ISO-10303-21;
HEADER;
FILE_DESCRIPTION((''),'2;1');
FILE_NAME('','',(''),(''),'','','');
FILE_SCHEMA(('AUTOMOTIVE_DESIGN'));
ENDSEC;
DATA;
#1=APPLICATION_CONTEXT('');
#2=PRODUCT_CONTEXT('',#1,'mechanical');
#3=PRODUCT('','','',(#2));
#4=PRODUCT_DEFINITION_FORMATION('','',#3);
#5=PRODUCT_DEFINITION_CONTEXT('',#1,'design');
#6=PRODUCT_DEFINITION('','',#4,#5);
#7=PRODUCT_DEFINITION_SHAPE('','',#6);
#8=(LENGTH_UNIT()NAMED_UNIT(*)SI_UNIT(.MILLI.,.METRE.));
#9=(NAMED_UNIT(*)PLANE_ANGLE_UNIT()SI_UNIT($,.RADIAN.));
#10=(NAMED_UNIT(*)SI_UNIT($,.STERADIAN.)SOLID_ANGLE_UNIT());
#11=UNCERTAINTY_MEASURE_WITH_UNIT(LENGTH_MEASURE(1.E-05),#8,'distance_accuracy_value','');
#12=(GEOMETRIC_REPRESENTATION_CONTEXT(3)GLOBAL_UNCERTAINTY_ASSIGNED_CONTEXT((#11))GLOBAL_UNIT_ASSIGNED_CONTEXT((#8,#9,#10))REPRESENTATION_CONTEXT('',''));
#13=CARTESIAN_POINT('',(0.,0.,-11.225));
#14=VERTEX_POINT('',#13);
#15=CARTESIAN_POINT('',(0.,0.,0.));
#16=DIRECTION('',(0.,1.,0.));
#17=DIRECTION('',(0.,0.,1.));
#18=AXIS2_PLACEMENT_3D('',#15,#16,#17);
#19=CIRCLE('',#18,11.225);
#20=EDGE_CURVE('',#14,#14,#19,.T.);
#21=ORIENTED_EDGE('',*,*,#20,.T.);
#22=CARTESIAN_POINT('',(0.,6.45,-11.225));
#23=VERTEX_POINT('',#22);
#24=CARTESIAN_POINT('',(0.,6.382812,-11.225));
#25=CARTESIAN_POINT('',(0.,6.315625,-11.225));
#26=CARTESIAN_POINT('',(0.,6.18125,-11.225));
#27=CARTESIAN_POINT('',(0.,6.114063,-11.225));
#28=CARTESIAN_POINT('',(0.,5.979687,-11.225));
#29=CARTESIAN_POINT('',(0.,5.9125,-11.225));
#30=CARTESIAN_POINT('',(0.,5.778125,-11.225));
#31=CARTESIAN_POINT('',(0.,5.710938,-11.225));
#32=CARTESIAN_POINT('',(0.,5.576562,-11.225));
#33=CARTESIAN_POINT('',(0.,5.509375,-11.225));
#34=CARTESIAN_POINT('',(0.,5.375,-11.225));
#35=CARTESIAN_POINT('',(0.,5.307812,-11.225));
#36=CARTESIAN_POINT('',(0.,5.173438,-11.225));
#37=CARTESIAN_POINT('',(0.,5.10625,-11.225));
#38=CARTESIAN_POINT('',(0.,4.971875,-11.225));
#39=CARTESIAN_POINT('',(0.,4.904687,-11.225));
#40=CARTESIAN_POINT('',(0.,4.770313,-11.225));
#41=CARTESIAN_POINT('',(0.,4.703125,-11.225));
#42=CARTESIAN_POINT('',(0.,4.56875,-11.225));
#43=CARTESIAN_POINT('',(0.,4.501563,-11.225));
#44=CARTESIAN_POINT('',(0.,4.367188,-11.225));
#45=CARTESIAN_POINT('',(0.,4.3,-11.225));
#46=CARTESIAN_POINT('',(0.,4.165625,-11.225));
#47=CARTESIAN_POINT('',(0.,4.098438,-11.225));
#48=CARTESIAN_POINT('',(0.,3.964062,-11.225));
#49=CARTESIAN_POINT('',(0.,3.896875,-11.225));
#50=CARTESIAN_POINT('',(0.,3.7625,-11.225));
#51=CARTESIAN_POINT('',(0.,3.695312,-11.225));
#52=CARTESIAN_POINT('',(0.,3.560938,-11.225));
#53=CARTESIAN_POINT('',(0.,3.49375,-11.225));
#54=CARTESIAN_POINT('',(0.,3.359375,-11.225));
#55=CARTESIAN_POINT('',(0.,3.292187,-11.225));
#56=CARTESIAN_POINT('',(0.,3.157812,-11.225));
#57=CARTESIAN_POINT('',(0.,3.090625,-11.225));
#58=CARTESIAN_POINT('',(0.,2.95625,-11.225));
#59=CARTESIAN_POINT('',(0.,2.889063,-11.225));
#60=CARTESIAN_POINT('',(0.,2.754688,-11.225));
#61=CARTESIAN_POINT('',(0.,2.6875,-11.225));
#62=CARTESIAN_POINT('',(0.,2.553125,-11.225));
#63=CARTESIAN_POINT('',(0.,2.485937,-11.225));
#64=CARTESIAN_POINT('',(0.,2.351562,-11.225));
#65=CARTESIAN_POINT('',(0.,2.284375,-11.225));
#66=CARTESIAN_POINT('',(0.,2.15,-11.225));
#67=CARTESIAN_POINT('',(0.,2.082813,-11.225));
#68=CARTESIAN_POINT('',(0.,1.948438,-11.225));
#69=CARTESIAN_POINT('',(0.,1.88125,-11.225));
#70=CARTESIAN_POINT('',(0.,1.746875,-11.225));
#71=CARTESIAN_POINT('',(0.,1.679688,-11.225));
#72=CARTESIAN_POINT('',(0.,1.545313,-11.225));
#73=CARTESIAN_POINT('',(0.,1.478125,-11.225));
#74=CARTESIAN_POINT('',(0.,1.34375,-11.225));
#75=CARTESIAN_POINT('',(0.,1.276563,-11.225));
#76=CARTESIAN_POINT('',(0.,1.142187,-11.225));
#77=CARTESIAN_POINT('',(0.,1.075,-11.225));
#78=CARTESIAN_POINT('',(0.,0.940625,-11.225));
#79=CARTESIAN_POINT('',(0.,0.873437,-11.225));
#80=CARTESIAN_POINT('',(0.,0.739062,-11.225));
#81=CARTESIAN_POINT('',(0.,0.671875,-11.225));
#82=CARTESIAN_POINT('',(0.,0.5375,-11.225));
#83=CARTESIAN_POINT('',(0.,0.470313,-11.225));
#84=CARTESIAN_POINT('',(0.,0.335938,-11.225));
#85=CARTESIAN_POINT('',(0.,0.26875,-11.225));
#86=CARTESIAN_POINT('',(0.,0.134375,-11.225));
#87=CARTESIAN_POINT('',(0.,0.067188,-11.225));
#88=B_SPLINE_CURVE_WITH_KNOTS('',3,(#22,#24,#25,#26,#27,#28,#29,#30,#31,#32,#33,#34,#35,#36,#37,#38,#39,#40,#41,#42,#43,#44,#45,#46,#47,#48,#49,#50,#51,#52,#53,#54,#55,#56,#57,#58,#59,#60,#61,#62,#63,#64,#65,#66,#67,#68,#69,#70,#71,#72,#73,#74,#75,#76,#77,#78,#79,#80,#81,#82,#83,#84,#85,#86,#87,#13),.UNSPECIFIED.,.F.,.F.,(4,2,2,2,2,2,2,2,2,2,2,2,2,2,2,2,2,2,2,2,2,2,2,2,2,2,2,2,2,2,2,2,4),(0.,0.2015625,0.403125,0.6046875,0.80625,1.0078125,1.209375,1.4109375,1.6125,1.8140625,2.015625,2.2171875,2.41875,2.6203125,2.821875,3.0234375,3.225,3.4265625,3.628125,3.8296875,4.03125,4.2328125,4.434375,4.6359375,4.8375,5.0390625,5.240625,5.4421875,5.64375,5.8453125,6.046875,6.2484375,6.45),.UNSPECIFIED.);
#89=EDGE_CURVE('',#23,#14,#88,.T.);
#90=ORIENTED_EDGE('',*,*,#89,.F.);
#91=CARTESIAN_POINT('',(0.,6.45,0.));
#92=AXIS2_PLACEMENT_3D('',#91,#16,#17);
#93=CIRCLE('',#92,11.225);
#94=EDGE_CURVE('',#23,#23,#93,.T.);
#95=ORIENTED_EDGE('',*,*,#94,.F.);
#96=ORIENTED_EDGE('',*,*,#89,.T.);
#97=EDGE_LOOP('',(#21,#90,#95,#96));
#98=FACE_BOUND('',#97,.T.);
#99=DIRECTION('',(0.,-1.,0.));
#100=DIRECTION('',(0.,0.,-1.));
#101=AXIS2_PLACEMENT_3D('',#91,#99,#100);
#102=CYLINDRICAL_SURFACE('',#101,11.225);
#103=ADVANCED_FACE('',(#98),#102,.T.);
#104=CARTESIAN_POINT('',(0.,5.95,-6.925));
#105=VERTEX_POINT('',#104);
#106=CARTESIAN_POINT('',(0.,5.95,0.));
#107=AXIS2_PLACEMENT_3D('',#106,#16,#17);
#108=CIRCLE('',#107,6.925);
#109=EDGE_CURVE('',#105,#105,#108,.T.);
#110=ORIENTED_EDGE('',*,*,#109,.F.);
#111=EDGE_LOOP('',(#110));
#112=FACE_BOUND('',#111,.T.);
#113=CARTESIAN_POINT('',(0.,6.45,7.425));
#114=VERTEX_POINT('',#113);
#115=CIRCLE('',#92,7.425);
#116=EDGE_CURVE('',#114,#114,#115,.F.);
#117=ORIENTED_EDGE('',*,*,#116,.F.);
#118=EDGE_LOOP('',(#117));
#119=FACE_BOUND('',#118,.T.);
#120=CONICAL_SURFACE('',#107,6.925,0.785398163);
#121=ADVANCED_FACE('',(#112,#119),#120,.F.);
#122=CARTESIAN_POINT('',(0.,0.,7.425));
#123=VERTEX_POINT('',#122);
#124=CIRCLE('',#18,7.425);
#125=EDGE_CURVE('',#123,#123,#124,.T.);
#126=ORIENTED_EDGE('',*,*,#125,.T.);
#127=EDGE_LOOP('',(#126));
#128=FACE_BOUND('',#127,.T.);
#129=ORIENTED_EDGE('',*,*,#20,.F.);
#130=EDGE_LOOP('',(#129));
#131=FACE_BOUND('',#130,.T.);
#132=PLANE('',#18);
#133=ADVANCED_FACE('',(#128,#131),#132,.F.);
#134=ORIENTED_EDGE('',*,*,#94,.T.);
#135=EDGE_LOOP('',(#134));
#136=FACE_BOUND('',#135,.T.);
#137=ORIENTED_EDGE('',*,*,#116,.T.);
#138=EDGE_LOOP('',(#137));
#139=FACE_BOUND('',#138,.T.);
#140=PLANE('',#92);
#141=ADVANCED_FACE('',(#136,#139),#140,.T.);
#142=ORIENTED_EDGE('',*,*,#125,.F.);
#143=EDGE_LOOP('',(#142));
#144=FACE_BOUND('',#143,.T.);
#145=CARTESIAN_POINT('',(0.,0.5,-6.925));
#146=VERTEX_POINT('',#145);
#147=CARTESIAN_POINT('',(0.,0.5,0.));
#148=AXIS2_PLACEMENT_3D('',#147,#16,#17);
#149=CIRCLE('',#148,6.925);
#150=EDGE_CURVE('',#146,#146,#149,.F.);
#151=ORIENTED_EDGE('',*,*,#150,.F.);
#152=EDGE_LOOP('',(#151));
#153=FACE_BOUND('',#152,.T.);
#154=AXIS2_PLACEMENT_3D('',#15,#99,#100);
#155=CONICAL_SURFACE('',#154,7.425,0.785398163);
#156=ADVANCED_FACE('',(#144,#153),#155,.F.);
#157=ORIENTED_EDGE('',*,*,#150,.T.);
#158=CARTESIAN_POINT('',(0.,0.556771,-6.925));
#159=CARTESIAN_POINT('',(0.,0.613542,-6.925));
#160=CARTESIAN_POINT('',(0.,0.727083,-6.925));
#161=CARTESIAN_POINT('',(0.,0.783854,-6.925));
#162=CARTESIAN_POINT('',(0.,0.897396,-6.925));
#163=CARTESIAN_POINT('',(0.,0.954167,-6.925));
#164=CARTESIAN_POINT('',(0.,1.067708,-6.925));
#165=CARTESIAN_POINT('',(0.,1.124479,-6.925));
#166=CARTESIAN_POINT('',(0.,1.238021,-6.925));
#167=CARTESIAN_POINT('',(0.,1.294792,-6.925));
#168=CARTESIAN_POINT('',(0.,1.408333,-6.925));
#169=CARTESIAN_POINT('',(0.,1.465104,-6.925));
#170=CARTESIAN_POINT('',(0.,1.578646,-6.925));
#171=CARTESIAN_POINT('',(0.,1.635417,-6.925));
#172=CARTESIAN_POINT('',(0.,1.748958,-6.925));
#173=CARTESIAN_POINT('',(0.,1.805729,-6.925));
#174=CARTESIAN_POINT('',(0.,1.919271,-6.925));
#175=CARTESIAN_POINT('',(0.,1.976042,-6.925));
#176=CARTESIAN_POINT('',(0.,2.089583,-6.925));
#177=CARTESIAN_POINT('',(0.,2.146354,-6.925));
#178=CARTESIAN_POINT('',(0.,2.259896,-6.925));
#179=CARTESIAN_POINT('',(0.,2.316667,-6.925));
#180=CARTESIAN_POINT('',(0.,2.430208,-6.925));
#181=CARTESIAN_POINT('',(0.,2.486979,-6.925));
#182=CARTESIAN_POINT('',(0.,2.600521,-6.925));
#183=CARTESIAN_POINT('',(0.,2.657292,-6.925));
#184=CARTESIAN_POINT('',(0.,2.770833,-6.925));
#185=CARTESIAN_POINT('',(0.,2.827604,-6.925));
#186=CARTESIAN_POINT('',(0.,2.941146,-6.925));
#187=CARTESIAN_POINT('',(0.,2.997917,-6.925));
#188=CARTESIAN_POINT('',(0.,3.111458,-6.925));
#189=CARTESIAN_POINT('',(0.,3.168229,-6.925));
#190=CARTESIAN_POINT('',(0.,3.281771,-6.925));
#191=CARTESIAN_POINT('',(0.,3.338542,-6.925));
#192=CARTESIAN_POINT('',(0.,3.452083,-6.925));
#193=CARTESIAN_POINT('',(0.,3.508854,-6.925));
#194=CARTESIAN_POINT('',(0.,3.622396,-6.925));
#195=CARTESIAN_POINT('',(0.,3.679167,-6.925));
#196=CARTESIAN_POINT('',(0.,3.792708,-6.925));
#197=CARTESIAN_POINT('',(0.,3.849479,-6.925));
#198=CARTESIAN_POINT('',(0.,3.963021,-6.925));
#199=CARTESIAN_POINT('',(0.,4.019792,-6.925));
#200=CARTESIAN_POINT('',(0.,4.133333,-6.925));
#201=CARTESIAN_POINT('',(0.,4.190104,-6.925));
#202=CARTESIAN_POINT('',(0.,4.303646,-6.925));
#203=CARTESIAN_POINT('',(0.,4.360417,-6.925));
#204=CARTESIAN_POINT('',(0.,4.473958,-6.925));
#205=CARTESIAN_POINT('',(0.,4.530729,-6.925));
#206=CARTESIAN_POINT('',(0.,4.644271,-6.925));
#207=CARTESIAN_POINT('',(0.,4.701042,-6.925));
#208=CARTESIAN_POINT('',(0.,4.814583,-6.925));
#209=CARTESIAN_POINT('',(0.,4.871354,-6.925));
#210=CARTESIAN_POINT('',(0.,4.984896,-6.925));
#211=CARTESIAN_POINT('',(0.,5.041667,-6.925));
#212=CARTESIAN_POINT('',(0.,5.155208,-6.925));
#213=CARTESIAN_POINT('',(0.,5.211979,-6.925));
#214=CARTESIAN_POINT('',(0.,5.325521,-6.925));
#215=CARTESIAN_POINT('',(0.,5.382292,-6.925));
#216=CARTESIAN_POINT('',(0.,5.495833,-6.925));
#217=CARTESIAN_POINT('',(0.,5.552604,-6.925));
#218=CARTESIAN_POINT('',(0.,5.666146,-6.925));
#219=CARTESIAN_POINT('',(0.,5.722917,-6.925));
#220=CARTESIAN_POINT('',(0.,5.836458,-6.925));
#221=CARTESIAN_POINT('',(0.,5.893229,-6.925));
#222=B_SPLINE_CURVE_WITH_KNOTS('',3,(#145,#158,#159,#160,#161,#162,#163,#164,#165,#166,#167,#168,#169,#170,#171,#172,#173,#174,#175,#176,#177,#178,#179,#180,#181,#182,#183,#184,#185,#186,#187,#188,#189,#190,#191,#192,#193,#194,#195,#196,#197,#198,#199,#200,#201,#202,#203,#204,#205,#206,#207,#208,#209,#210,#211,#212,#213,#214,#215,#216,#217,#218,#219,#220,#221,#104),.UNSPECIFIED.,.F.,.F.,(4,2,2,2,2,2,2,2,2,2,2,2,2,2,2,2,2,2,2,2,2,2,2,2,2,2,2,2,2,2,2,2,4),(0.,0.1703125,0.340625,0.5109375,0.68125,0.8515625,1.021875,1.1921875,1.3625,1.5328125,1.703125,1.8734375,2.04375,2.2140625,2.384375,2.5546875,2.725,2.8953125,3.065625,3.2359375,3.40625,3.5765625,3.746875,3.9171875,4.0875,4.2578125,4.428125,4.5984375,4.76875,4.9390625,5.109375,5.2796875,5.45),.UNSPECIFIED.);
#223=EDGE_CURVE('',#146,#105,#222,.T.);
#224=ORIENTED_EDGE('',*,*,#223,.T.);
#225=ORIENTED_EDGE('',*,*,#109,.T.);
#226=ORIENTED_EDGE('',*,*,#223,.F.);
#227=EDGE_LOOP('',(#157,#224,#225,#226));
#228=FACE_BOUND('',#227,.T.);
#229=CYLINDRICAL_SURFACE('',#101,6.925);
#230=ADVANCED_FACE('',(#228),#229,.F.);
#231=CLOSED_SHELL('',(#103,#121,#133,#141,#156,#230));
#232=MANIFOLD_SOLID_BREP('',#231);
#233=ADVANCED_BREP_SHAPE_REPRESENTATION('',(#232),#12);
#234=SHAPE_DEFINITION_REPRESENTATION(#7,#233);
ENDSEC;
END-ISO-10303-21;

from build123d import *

# Parameters (mm, degrees)
SKETCH_1_R      = 11.225
SKETCH_1_R_2    = 6.925
EXTRUDE_1_DEPTH = 6.45
CHAMFER_1_SIZE  = 0.5


with BuildPart() as part:
    # 草图1 → 凸台-拉伸1 (new body)
    with BuildSketch(Plane(origin=(0, 0, 0), x_dir=(1, 0, 0), z_dir=(0, 1, 0))):
        with Locations(Location((0, 0, 0), (0, 0, 90))):
            Circle(SKETCH_1_R)
        with Locations(Location((0, 0, 0), (0, 0, 90))):
            Circle(SKETCH_1_R_2, mode=Mode.SUBTRACT)
    extrude(amount=EXTRUDE_1_DEPTH)

    # 倒角1
    chamfer_1_edges = [part.edges().sort_by_distance(p)[0] for p in [
        (0, 0, 6.925),
        (0, 6.45, 6.925),
    ]]
    chamfer(chamfer_1_edges, length=CHAMFER_1_SIZE)


solid = part.part
